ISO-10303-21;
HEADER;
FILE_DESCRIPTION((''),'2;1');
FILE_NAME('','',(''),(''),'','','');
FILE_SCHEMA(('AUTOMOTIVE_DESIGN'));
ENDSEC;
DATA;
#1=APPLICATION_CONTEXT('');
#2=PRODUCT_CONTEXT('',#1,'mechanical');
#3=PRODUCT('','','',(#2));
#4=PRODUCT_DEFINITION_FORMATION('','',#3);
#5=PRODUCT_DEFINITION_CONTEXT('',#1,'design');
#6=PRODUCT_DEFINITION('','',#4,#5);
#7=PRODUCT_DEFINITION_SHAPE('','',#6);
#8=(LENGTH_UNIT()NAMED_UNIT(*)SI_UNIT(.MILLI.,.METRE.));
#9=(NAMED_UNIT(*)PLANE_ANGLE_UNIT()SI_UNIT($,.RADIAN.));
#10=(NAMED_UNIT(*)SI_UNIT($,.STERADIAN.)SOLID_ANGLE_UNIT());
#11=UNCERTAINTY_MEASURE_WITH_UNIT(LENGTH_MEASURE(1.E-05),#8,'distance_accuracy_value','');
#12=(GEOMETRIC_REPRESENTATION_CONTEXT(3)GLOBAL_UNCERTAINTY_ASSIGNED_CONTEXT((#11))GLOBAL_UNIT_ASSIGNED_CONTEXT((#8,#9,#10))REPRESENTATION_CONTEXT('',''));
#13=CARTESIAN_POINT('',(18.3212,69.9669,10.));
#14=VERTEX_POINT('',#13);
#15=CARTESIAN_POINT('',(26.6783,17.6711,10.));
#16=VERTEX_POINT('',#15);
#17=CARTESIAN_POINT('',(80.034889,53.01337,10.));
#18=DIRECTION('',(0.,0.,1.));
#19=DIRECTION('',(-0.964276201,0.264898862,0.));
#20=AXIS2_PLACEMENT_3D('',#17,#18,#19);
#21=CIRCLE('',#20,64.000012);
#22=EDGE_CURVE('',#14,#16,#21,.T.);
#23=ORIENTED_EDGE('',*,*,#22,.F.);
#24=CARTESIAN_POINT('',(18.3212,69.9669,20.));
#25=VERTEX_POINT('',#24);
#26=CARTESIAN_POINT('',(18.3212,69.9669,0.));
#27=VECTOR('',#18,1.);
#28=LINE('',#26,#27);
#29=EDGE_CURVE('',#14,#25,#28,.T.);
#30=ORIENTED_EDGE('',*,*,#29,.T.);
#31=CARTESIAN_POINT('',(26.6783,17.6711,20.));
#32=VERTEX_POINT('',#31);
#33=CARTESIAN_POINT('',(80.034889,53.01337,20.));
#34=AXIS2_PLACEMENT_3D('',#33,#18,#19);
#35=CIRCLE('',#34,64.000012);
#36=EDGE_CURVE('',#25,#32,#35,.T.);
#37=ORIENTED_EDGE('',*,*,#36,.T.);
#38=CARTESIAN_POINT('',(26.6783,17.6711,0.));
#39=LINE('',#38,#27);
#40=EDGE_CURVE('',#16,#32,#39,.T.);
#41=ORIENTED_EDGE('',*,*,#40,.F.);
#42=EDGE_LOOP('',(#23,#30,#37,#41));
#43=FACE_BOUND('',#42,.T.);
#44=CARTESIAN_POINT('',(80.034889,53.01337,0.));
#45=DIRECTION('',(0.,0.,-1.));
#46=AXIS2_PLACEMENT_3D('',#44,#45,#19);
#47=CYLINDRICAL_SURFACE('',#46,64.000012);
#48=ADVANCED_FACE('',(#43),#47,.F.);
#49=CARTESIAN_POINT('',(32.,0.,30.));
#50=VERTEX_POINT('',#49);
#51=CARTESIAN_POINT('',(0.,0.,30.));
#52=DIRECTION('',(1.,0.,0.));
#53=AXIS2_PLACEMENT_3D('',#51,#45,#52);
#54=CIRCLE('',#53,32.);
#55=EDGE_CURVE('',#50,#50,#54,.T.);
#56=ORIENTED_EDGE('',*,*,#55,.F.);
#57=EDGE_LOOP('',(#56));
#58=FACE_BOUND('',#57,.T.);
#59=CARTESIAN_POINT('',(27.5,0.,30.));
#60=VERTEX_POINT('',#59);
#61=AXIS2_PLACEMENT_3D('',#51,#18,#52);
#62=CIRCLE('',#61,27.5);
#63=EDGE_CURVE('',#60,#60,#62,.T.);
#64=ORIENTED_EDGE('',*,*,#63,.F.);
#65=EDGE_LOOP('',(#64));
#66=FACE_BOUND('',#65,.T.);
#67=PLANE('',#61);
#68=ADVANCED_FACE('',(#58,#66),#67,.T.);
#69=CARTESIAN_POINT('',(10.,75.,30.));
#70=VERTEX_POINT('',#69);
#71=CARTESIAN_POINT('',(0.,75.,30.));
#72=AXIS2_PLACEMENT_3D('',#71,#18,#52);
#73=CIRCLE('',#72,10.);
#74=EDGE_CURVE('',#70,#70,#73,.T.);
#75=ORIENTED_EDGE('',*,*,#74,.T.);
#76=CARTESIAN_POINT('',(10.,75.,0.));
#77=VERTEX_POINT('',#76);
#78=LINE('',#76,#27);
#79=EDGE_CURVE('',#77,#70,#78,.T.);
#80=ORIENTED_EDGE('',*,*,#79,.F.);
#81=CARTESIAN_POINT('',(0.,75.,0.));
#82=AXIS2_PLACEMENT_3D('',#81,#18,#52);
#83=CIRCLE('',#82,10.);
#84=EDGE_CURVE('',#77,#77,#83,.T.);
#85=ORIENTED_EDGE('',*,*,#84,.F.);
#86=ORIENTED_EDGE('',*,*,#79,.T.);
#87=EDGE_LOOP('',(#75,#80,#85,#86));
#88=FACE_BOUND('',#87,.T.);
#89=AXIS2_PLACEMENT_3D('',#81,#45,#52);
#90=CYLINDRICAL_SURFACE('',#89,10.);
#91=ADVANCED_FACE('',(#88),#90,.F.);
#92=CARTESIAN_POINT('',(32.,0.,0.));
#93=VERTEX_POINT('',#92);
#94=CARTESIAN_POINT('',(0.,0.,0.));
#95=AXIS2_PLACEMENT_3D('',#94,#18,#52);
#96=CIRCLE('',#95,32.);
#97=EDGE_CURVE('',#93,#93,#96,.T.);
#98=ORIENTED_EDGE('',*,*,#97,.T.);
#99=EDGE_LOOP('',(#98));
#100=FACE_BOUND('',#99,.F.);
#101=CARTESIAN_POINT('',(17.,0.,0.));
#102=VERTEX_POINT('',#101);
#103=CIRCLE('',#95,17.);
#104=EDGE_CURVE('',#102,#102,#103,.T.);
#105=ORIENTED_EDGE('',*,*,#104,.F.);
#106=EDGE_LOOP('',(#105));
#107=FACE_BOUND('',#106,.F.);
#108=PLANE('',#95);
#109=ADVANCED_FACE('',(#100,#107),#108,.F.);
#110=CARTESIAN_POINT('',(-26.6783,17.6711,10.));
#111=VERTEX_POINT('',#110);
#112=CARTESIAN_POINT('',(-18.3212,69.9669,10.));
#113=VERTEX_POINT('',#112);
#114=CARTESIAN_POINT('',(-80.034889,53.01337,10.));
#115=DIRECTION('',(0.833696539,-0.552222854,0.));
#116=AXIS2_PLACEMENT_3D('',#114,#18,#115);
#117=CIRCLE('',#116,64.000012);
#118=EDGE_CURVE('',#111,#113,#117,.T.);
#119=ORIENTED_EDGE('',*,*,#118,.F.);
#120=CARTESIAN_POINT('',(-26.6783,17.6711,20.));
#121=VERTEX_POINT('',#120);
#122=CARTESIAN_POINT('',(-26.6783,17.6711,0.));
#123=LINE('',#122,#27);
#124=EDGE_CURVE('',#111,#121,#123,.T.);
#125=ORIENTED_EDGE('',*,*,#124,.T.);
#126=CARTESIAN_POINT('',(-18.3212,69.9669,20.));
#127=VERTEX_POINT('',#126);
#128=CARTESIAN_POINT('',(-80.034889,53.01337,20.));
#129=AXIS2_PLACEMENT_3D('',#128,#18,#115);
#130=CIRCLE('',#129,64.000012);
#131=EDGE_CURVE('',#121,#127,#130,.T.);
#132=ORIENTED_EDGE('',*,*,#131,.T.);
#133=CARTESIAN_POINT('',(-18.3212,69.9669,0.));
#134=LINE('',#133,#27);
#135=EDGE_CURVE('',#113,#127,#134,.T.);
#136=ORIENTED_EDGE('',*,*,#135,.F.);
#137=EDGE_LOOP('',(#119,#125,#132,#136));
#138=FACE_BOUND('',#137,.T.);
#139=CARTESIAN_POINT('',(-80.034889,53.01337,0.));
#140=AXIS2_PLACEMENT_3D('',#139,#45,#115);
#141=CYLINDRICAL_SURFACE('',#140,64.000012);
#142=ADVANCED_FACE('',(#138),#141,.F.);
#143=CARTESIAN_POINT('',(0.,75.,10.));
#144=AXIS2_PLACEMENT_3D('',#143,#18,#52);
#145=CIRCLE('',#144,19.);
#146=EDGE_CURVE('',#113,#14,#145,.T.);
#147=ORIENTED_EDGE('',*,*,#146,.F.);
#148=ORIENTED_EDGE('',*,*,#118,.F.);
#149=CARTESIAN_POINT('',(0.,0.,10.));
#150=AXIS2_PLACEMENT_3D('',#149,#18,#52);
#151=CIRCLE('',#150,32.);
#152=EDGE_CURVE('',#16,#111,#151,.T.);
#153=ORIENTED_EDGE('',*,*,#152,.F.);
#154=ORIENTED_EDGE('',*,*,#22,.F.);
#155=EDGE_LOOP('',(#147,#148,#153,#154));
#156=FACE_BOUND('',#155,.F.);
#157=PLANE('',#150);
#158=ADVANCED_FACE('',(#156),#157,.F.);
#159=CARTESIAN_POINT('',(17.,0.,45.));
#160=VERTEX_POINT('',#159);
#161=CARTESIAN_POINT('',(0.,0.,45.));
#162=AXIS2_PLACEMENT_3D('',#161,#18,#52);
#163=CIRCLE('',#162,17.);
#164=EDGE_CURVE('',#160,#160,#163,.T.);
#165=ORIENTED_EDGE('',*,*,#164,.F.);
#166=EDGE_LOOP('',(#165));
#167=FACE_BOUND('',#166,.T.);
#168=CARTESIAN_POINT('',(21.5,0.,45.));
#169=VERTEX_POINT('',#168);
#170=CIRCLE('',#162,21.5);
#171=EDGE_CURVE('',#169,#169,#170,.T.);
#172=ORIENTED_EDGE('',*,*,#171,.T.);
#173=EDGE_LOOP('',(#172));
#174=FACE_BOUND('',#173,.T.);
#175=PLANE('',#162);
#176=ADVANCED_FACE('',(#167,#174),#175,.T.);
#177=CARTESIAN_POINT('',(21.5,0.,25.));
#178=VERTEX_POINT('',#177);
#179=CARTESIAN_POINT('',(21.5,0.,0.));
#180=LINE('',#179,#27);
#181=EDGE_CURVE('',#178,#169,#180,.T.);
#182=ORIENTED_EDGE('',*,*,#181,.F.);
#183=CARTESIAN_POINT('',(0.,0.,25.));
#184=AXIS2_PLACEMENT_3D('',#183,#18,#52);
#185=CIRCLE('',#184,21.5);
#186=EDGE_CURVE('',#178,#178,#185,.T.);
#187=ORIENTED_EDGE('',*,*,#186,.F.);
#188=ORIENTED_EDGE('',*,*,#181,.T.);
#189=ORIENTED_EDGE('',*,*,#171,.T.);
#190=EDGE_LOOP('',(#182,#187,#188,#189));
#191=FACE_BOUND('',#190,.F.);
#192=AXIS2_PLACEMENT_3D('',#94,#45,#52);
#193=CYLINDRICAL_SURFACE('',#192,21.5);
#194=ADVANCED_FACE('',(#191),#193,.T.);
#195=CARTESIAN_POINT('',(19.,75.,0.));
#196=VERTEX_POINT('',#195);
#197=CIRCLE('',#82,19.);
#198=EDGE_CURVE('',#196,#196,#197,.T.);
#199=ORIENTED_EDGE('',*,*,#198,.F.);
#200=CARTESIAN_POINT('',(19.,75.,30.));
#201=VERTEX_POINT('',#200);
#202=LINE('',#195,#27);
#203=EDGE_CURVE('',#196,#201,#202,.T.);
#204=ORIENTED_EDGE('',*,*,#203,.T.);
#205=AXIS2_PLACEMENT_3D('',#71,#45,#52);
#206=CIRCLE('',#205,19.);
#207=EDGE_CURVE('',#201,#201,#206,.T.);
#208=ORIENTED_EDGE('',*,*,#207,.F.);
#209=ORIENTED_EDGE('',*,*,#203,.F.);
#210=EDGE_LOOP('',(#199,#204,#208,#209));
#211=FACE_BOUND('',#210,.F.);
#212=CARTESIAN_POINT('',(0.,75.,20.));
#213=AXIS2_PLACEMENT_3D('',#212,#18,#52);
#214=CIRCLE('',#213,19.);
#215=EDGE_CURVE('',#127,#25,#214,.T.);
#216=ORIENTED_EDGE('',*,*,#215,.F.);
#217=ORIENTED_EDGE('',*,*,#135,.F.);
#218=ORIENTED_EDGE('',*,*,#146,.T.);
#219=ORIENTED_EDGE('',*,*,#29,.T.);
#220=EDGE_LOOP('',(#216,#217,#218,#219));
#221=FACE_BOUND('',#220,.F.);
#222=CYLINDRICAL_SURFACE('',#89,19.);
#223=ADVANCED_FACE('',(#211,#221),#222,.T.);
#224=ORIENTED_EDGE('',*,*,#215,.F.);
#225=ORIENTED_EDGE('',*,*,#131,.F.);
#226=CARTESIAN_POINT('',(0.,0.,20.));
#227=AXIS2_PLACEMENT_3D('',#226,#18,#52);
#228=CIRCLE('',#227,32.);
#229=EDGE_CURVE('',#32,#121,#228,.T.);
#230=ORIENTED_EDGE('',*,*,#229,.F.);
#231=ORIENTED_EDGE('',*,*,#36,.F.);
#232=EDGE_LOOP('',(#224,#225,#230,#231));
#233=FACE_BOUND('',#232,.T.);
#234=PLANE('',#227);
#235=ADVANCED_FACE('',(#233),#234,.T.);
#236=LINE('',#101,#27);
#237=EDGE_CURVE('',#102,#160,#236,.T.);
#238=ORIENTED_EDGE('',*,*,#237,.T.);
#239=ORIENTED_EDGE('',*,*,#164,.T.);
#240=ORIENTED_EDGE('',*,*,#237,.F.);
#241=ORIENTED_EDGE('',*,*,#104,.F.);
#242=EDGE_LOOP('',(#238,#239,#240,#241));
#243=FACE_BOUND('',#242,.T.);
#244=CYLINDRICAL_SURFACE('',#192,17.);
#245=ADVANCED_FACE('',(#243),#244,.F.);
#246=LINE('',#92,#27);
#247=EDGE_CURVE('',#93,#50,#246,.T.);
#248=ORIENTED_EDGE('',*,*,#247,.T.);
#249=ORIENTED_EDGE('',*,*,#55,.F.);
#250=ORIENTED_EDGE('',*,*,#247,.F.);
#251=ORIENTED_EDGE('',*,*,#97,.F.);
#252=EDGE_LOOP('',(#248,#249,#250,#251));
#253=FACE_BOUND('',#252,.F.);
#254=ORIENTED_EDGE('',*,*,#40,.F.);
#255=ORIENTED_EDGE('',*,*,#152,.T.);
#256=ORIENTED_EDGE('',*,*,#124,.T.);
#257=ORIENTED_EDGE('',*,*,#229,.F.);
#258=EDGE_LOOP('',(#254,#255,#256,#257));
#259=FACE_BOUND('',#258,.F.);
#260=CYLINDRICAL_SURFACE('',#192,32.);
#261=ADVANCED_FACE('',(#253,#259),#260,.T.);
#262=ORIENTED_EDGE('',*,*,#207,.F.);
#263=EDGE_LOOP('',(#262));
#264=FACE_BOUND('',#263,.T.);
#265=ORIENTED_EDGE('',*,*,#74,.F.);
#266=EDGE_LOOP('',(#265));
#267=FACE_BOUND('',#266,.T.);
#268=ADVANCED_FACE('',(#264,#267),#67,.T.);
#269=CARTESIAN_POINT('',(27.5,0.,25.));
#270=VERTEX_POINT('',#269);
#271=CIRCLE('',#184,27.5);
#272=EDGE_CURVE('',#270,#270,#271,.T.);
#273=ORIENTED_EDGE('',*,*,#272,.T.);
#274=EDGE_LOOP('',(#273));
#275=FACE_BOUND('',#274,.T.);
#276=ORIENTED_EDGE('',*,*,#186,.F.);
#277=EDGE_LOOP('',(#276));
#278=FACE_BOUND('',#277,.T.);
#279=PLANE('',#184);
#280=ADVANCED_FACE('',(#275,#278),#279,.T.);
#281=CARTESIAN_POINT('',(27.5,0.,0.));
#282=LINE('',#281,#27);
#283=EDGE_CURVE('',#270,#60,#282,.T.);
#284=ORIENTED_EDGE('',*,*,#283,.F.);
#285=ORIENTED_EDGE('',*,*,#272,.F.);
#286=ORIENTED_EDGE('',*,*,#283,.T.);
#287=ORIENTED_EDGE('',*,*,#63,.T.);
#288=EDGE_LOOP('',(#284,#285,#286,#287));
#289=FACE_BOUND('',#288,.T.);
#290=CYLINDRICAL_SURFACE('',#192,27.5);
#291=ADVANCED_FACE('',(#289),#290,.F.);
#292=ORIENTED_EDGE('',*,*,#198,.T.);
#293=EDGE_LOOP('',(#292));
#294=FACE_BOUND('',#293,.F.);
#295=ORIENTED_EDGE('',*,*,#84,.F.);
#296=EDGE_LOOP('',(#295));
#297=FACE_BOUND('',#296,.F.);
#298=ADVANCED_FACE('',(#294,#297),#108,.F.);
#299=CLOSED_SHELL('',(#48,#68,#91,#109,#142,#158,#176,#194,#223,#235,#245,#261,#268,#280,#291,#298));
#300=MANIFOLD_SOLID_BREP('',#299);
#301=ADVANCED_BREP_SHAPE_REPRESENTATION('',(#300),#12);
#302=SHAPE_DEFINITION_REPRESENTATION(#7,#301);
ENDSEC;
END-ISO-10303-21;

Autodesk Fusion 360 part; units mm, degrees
sketch "Esboço1" plane through (0, 0, 0) normal (0, 0, 1) x (1, 0, 0)
  circle A0 centre (0, 75) radius 19
  circle A1 centre (0, 0) radius 32
  circle A2 centre (0, 75) radius 10
  circle A3 centre (0, 0) radius 17
  circle A4 centre (0, 0) radius 21.5
  circle A5 centre (0, 0) radius 27.5
  arc A6 (18.3212, 69.9669) -> (26.6783, 17.6711) centre (80.0349, 53.0133) ccw
  arc A7 (-26.6783, 17.6711) -> (-18.3212, 69.9669) centre (-80.0349, 53.0133) ccw
  dimension "d2" = 38
  dimension "d4" = 20
  dimension "d5" = 34
  dimension "d6" = 43
  dimension "d7" = 55
  dimension "d8" = 128
extrude "Extrusão1" add sketch "Esboço1" along normal blind 30 contours A0 makes body 1
extrude "Extrusão2" add sketch "Esboço1" along normal blind 30 separate body contours A1 makes body 2
extrude "Extrusão3" add sketch "Esboço1" along normal blind 25 contours A5 bodies 2
extrude "Extrusão4" add sketch "Esboço1" along normal blind 45 contours A4 bodies 2
extrude "Extrusão5" add sketch "Esboço1" along normal blind 20 contours A0 A1 A6 A7 bodies 1 2
extrude "Extrusão6" cut sketch "Esboço1" along normal blind 10 contours A0 A1 A6 A7 bodies 1
